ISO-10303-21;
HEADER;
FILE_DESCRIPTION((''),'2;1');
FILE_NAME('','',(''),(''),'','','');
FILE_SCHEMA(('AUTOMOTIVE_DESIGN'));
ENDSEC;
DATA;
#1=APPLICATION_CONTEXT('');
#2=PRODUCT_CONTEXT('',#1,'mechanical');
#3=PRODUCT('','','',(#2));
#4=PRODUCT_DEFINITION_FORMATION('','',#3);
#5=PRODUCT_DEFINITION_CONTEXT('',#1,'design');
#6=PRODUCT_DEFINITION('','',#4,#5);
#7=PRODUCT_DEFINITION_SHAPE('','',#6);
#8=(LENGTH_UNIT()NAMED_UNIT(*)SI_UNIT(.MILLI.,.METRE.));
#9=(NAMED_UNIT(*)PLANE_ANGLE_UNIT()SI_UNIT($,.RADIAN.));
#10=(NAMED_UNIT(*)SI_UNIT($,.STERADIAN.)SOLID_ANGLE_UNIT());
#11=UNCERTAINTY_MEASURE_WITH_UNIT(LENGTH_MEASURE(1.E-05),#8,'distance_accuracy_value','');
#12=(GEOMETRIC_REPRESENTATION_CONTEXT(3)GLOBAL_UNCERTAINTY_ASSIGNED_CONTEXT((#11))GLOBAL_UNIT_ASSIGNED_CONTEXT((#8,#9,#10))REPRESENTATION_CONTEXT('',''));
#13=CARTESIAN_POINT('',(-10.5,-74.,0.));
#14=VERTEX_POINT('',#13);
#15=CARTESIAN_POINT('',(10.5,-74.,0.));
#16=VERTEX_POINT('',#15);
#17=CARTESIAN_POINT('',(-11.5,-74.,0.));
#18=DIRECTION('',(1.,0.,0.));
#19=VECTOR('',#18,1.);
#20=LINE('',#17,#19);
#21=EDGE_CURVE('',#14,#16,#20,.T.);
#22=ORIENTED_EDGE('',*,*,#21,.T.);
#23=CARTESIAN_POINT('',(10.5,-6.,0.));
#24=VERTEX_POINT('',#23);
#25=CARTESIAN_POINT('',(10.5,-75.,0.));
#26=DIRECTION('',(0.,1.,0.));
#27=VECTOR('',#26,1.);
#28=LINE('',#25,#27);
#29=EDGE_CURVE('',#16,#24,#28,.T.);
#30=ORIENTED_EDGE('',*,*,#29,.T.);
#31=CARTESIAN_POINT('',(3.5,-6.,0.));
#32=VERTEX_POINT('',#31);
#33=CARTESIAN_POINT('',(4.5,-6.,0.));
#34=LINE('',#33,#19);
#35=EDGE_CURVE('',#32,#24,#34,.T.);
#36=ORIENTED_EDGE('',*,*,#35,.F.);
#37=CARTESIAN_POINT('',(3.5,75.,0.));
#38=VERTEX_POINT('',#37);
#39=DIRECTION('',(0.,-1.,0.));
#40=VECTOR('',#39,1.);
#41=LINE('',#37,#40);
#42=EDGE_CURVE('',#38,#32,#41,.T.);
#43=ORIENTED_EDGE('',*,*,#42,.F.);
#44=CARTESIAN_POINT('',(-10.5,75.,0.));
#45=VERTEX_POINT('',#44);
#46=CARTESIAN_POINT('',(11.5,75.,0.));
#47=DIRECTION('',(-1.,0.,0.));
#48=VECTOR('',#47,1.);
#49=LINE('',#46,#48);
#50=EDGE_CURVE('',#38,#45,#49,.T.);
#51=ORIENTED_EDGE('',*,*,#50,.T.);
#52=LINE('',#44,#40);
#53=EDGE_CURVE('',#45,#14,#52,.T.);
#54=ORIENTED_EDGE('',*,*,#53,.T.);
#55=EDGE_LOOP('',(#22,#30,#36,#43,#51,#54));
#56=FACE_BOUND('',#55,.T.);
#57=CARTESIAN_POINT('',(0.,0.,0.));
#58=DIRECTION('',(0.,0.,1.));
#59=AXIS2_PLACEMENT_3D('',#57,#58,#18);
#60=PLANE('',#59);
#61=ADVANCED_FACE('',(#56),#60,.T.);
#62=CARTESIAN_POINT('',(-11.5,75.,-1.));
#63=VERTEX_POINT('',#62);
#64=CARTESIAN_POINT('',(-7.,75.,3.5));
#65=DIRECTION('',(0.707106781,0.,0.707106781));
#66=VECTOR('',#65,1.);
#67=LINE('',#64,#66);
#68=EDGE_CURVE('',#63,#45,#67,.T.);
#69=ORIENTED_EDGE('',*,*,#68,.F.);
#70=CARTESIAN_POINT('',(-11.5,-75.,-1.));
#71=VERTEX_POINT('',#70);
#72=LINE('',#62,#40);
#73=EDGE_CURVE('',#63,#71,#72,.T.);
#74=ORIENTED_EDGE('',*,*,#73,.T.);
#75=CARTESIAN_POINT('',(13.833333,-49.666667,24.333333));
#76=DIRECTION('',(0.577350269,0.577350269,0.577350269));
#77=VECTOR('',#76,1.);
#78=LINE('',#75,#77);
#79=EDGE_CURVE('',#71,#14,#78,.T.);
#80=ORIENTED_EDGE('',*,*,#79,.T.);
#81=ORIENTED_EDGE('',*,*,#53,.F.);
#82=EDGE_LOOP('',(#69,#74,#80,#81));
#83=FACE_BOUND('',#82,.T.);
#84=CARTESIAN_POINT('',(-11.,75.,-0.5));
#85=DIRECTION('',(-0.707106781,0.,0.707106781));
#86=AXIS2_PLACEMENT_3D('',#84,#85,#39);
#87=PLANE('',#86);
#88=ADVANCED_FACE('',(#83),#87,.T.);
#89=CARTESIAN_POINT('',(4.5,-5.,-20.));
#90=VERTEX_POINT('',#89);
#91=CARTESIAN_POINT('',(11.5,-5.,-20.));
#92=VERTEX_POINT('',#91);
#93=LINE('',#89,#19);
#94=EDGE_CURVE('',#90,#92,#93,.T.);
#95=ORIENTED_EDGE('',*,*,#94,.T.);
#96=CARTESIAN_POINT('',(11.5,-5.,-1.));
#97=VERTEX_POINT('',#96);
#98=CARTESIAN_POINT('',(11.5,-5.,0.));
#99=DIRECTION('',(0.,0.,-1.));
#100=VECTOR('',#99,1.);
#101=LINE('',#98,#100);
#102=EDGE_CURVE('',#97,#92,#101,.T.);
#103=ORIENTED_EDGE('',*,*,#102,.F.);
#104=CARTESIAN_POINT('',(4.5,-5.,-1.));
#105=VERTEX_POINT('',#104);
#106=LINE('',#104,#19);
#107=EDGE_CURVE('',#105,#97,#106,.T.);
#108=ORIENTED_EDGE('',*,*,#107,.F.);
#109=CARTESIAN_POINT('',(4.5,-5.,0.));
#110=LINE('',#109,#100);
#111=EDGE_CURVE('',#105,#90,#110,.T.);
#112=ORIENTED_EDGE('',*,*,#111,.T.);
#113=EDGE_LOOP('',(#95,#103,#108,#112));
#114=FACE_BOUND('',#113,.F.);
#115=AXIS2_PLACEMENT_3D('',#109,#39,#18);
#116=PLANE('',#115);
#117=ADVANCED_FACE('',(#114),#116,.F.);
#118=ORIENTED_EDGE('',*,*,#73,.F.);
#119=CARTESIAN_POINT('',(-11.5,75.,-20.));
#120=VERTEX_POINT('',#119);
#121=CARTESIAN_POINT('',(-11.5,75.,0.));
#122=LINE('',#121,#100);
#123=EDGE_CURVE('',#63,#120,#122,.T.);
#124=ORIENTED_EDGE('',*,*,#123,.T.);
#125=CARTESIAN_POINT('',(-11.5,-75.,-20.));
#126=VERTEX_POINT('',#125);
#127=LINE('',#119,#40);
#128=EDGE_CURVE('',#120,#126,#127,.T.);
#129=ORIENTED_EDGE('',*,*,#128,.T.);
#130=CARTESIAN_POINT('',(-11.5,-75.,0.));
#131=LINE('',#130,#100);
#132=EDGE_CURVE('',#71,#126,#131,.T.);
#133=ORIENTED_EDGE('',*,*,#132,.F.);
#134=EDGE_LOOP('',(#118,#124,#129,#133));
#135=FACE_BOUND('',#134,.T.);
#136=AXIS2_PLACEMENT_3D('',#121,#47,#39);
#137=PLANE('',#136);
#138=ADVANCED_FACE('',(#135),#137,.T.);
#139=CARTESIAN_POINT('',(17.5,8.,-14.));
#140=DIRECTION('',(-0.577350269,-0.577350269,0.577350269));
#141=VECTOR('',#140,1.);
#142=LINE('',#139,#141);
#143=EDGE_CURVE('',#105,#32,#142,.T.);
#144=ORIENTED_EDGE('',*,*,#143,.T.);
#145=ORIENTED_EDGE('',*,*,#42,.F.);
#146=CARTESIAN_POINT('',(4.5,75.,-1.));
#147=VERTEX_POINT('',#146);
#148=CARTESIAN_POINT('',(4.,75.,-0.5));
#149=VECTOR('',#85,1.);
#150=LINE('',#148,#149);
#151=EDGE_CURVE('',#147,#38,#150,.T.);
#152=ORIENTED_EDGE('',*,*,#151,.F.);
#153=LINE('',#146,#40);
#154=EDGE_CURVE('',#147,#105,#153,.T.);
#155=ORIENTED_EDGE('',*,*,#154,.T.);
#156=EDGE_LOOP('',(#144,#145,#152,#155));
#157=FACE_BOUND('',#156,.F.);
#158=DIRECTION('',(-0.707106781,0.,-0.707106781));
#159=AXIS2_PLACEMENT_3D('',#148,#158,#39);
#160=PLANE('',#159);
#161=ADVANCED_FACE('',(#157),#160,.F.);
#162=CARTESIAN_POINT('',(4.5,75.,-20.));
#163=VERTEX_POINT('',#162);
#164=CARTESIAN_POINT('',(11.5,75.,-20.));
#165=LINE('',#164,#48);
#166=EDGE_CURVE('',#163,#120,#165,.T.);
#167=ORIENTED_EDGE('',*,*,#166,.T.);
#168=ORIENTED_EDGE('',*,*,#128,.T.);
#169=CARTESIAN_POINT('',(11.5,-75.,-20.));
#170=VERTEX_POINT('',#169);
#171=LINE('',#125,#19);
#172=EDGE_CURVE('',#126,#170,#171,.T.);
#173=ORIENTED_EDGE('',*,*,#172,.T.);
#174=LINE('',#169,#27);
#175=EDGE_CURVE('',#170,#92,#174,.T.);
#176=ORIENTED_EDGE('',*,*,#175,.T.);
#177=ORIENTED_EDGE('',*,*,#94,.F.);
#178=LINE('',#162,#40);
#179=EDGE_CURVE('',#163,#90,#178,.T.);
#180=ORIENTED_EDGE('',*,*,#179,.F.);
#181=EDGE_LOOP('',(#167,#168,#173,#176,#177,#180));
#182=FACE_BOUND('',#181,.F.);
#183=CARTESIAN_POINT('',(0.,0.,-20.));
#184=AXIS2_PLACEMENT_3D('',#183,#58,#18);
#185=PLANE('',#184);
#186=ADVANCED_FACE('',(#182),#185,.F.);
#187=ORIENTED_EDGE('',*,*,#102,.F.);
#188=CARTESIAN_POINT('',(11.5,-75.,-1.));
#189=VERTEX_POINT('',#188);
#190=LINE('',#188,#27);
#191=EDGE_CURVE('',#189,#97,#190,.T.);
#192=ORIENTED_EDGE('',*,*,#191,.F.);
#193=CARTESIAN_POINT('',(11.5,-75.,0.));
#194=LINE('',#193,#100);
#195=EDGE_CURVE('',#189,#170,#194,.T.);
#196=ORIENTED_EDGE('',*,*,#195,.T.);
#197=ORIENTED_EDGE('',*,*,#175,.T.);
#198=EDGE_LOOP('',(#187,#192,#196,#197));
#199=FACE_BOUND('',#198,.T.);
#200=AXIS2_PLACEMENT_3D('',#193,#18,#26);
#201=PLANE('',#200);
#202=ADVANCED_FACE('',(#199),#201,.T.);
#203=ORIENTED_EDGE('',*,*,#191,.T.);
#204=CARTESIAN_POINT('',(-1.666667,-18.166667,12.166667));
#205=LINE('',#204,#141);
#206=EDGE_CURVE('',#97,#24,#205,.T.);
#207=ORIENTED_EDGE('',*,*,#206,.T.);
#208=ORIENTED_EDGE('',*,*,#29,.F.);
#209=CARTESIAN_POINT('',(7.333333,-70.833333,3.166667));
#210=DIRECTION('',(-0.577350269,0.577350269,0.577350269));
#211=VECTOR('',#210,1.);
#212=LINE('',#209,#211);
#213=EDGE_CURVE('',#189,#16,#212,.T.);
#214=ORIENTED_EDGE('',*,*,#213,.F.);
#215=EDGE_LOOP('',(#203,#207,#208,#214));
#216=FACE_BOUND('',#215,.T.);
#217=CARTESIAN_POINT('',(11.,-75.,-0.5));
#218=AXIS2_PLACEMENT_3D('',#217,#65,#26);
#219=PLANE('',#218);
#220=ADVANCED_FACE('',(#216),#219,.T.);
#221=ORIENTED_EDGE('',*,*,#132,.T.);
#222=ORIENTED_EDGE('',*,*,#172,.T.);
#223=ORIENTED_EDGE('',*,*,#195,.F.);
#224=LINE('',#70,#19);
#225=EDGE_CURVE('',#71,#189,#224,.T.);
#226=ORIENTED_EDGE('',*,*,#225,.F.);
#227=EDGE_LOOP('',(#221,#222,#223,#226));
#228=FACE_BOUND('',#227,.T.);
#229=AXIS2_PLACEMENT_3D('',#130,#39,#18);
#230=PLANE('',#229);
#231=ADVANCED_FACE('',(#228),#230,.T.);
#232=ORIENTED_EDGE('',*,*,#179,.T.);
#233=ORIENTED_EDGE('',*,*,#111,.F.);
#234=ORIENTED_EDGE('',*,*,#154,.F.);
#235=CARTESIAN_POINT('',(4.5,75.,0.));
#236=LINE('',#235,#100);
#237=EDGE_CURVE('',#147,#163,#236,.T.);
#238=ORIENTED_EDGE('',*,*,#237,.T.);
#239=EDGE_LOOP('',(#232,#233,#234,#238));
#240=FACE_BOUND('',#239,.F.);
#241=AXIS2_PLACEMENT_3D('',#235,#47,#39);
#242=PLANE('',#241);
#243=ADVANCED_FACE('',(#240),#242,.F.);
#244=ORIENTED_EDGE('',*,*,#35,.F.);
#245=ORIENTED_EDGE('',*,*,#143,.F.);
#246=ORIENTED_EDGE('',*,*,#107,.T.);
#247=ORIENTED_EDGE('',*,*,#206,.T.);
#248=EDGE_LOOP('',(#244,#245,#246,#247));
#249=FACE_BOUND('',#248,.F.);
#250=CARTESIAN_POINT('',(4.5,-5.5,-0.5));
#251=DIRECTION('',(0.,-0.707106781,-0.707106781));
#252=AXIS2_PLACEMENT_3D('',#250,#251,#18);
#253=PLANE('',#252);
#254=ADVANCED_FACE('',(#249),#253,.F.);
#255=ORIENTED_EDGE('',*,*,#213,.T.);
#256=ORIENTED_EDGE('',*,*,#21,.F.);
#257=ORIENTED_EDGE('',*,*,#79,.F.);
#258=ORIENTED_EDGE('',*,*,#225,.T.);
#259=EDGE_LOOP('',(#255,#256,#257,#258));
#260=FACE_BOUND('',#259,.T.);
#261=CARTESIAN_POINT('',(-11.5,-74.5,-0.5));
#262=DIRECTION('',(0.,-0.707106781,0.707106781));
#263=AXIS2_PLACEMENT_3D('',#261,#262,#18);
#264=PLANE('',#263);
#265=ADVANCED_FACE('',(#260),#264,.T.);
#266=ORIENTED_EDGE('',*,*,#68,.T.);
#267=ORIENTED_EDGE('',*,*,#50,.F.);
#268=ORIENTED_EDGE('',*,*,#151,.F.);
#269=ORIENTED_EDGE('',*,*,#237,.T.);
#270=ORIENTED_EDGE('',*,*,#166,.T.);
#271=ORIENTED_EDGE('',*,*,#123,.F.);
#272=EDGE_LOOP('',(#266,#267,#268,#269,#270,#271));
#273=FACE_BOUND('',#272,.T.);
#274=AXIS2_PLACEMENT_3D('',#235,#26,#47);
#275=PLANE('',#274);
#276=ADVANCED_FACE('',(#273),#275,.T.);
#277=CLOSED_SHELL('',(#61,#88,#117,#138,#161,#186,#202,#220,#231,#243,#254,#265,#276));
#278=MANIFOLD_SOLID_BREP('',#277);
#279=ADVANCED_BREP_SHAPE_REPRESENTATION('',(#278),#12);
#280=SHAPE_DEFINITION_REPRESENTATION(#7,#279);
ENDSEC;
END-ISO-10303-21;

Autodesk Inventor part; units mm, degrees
ref_plane "YZ Plane" through (0, 0, 0) normal (1, 0, 0) x (0, 1, 0)
ref_plane "XZ Plane" through (0, 0, 0) normal (0, 1, 0) x (-1, 0, 0)
ref_plane "XY Plane" through (0, 0, 0) normal (0, 0, 1) x (1, 0, 0)
sketch "Sketch1" plane through (0, 0, 0) normal (0, 0, 1) x (1, 0, 0)
  line L0 (-11.5, -75) -> (11.5, -75)
  line L1 (11.5, -75) -> (11.5, 75)
  line L2 (11.5, 75) -> (-11.5, 75)
  line L3 (-11.5, 75) -> (-11.5, -75)
  line L4 (-11.5, -75) -> (11.5, 75) construction
  line L5 (11.5, -75) -> (-11.5, 75) construction
  line L6 (11.5, 75) -> (4.5, 75)
  line L7 (4.5, 75) -> (4.5, -5)
  line L8 (4.5, -5) -> (11.5, -5)
  line L9 (11.5, -5) -> (11.5, 75)
  point P0 (0, 0)
  dimension "key_width" = 23
  dimension "key_length" = 150
  dimension "blackkey_length" = 80
  dimension "blackkey_halfwidth" = 7
extrude "Extrusion1" add sketch "Sketch1" against normal blind 20 contours L3 L2 L7 L8 L1 L0
chamfer "Chamfer1" distance 1 angle 45 5 edges at (11.5, -40, 0) (0, -75, 0) (-11.5, 0, 0) (4.5, 35, 0) (8, -5, 0)
properties part number "key1"
